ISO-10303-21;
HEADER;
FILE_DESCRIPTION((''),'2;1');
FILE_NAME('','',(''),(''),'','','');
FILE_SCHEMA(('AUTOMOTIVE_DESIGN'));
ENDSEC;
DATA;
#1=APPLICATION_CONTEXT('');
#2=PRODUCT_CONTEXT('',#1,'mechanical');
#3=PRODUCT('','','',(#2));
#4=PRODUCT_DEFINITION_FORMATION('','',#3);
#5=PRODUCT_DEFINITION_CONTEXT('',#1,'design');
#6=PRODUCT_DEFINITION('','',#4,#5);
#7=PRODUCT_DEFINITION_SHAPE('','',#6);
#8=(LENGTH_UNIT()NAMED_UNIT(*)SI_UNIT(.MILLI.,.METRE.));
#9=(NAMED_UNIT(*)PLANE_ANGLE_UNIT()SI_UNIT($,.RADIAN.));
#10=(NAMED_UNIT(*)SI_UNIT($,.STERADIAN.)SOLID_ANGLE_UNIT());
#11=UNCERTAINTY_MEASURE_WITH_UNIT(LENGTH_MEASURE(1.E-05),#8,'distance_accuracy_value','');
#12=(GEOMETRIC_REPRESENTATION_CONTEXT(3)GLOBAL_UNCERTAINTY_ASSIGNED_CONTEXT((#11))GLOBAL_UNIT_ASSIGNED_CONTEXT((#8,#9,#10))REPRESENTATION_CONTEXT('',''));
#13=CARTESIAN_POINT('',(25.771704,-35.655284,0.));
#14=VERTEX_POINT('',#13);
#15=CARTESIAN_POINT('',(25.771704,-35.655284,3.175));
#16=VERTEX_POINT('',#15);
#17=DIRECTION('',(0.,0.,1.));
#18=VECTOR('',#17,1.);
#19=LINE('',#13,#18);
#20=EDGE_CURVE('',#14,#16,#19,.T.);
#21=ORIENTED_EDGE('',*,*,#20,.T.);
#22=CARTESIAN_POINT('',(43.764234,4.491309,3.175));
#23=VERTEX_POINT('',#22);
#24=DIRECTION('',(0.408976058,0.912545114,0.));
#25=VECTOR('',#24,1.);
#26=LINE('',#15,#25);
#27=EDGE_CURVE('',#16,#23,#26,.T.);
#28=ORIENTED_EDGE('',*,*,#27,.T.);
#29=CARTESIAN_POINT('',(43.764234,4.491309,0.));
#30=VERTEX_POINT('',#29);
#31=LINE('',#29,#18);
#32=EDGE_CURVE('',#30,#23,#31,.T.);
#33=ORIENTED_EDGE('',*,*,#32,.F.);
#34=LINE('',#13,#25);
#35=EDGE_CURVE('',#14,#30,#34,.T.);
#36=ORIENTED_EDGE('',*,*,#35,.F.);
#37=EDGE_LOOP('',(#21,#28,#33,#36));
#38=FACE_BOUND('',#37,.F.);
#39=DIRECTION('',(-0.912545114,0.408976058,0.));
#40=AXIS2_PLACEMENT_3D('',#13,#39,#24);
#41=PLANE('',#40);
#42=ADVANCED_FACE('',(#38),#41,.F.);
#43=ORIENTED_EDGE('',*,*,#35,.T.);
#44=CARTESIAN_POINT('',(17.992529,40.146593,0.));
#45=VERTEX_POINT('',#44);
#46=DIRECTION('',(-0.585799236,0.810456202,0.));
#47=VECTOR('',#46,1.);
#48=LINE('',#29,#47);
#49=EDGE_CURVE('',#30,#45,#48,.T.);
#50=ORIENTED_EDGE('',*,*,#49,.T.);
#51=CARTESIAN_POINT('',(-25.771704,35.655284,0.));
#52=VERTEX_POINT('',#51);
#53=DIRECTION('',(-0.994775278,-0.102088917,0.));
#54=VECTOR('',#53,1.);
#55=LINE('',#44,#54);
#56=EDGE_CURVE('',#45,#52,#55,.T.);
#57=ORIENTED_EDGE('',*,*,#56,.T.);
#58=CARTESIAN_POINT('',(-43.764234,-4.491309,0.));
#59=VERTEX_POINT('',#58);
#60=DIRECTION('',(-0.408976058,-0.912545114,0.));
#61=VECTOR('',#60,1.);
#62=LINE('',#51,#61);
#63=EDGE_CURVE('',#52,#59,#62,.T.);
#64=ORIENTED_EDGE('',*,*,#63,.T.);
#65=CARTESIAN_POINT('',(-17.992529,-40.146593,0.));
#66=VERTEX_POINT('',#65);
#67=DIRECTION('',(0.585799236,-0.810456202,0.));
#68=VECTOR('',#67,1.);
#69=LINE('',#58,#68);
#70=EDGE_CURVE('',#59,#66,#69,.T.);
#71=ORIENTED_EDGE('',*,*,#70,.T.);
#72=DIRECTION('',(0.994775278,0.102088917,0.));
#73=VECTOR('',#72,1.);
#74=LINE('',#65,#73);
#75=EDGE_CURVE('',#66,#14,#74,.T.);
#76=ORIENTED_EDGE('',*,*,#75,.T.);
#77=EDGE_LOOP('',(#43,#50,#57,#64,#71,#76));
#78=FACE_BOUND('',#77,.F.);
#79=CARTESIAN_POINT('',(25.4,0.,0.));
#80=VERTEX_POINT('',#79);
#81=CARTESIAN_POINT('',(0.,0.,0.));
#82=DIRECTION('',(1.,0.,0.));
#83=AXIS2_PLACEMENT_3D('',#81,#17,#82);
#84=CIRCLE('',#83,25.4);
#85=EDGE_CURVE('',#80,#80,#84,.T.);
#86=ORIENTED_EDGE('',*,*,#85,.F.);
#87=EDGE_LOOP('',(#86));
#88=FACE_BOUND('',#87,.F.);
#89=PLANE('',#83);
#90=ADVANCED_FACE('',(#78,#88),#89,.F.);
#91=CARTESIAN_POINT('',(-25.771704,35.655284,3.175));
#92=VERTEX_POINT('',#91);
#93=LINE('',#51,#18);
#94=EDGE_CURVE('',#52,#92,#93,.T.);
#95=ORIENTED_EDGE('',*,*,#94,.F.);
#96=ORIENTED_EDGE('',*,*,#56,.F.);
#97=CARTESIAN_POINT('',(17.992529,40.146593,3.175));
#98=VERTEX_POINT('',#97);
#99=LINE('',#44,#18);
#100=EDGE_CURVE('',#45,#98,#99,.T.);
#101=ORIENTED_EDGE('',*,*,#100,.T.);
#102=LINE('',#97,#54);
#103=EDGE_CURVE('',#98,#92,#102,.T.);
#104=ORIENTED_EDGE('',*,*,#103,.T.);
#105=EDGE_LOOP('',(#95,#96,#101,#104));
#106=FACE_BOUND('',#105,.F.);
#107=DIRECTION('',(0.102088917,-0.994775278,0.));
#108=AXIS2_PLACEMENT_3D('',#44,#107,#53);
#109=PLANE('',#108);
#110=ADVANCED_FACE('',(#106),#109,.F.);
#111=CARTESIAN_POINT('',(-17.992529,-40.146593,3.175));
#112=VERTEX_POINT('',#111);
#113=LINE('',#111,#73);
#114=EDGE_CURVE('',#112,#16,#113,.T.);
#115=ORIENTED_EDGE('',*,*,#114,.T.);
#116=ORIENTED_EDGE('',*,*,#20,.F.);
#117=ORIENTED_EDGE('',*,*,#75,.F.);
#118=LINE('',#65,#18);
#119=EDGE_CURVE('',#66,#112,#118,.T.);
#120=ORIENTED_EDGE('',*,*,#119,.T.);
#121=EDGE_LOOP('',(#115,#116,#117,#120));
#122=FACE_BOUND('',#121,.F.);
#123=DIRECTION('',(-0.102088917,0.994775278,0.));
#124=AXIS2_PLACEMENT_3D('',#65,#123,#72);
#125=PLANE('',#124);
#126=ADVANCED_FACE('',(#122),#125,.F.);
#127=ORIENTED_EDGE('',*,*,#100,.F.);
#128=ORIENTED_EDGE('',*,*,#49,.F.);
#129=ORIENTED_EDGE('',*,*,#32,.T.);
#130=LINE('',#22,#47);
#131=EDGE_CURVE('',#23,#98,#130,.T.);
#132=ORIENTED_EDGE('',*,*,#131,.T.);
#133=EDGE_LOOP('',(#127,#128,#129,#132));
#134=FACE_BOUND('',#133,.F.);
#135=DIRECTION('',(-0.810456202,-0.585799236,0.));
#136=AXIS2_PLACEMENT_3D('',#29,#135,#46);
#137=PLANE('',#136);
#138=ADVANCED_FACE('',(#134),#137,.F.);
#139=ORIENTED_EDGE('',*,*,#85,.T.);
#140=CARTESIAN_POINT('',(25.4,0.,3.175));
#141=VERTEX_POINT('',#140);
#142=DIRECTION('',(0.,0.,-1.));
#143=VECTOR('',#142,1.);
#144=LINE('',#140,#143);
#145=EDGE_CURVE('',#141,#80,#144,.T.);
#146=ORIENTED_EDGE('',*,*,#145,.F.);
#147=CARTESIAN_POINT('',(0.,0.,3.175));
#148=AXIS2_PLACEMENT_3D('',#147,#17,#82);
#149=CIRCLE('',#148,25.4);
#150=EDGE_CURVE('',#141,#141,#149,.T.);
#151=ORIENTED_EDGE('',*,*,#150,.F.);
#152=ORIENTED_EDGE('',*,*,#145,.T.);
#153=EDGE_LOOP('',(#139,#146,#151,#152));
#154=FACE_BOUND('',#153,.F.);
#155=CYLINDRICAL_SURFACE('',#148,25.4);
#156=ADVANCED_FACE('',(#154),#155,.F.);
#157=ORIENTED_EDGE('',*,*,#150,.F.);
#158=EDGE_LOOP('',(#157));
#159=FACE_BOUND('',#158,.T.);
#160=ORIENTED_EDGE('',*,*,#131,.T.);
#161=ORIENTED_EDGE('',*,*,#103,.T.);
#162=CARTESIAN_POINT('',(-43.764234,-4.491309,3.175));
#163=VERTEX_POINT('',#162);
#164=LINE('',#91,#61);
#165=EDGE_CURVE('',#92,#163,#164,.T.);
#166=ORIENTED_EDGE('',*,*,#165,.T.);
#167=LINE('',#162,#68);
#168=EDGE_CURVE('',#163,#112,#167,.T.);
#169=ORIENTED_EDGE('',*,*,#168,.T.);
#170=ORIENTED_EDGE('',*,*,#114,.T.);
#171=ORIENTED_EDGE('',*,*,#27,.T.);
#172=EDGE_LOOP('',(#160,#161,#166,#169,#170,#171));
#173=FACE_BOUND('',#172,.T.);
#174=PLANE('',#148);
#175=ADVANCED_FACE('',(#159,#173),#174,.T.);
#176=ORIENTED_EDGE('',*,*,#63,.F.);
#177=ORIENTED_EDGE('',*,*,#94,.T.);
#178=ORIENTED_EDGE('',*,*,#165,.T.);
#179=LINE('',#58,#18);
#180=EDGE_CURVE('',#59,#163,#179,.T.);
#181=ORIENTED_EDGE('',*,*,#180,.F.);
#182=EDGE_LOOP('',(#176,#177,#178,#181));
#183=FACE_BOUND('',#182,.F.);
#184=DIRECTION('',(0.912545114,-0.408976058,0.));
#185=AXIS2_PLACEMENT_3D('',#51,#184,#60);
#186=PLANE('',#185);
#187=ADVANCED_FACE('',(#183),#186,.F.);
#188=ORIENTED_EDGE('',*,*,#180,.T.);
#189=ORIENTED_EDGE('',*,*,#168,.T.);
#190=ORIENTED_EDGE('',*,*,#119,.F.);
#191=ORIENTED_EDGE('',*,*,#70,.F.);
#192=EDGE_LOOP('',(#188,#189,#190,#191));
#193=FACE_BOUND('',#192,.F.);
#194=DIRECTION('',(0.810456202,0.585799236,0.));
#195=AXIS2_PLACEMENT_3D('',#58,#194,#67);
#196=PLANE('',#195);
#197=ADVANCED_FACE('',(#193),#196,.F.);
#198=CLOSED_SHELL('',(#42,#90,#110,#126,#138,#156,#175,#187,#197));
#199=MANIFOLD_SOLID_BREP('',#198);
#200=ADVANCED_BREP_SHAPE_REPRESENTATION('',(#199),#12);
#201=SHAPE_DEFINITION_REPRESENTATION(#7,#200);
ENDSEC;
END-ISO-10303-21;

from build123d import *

# Parameters (mm, degrees)
F1_DEPTH = 3.175
F2_R     = 25.4
F3_DEPTH = 25.4


with BuildPart() as f1:
    # F0 (on Top) → F1 (new body)
    with BuildSketch(Plane.XY):
        Polygon((17.992529, 40.146593), (-25.771704, 35.655284), (-43.764234, -4.491309), (-17.992529, -40.146593), (25.771704, -35.655284), (43.764234, 4.491309), align=None)
    extrude(amount=F1_DEPTH)

    # F2 (on face) → F3 (cut)
    with BuildSketch(Plane.XY.offset(3.175)):
        Circle(F2_R)
    extrude(amount=-F3_DEPTH, mode=Mode.SUBTRACT)


solid = f1.part
